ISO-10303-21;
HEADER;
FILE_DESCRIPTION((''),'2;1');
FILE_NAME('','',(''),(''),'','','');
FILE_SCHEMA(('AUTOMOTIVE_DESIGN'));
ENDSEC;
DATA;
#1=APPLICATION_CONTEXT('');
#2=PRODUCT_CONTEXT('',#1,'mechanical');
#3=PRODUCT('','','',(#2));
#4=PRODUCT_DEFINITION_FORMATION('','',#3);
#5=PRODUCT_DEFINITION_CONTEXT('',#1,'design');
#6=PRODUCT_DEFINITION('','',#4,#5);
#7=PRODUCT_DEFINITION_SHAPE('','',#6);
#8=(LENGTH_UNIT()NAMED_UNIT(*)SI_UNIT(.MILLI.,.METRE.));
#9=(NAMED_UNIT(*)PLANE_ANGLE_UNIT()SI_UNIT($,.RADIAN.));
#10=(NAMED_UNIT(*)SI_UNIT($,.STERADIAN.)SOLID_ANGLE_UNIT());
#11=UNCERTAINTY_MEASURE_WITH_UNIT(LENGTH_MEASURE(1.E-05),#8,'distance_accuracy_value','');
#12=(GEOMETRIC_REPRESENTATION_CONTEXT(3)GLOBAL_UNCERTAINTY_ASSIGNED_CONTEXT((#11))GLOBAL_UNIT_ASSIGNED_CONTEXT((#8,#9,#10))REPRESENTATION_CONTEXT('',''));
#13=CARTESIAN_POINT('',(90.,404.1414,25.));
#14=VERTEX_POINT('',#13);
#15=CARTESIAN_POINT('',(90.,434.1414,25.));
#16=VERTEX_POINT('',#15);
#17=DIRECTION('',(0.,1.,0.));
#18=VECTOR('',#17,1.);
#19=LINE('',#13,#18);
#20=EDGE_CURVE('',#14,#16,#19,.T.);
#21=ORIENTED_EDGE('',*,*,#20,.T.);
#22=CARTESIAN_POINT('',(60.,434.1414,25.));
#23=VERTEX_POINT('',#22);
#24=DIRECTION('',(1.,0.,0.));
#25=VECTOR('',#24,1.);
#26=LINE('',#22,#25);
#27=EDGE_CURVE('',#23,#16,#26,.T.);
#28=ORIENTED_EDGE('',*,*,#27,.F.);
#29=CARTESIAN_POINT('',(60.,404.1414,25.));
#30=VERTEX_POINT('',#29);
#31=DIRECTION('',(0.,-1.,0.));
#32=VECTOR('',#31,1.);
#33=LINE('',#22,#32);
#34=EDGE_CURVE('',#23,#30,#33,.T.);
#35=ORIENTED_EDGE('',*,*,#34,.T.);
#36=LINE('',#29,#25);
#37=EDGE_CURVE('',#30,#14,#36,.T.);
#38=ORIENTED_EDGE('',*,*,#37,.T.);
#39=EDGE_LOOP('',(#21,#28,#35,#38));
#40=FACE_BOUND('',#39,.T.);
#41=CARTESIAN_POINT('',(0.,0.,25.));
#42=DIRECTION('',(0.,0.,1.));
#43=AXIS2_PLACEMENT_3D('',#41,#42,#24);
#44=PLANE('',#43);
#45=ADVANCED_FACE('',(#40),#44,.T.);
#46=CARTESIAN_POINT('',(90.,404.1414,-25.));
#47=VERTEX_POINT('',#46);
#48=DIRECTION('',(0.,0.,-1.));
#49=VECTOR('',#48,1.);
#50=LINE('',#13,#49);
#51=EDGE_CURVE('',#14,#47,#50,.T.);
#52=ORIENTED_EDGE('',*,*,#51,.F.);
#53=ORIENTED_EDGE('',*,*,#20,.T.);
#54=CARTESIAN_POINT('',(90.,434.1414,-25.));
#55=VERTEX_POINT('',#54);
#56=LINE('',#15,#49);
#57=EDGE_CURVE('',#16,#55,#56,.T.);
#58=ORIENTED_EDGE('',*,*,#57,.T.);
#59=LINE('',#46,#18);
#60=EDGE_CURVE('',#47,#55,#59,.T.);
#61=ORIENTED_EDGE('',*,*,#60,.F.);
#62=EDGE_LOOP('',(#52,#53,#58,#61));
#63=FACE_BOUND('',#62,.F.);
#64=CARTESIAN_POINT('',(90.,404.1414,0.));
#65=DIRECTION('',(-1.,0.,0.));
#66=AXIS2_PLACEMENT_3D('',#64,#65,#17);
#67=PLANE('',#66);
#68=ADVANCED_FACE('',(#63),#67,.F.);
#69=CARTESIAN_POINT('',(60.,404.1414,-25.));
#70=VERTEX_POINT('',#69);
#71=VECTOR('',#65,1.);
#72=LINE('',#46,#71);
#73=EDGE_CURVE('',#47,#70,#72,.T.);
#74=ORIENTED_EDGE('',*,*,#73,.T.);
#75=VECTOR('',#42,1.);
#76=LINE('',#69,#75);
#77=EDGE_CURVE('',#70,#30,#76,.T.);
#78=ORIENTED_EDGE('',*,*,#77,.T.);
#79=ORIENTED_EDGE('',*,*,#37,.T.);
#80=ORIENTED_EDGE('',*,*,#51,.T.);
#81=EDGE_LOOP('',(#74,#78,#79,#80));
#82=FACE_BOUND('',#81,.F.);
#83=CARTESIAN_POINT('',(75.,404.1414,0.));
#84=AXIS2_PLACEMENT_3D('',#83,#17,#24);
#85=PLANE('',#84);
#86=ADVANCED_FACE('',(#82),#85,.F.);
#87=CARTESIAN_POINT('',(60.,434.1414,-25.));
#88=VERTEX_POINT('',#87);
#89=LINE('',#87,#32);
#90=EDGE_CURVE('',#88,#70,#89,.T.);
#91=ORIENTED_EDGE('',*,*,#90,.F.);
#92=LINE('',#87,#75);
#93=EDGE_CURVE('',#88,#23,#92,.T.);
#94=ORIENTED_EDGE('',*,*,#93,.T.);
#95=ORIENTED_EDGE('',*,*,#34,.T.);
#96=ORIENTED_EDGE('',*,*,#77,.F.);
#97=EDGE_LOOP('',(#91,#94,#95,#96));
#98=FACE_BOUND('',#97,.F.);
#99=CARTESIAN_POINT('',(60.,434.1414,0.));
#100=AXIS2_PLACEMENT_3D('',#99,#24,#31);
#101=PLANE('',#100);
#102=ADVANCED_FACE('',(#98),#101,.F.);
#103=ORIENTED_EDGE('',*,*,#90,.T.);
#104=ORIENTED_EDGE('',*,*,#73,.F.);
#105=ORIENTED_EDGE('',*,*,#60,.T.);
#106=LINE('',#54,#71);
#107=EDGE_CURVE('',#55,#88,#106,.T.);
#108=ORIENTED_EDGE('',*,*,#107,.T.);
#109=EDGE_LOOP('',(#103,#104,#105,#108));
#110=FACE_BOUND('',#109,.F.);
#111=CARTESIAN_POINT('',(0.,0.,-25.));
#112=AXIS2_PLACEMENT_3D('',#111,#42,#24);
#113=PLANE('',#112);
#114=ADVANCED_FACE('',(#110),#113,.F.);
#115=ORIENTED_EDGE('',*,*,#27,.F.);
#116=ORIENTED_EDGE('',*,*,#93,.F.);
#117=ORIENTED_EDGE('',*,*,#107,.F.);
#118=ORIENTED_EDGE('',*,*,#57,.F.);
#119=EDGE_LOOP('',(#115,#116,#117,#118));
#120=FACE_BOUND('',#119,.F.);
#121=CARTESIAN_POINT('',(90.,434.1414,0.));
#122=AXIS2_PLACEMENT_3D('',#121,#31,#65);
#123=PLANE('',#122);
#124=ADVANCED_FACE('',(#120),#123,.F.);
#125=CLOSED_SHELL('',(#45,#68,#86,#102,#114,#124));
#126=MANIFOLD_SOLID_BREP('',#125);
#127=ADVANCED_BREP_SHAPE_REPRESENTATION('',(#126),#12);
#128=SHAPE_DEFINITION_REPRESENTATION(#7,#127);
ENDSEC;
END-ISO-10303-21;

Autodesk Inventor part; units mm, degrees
ref_plane "YZ Plane" through (0, 0, 0) normal (1, 0, 0) x (0, 1, 0)
ref_plane "XZ Plane" through (0, 0, 0) normal (0, 1, 0) x (-1, 0, 0)
ref_plane "XY Plane" through (0, 0, 0) normal (0, 0, 1) x (1, 0, 0)
ref_plane "Work Plane1" through (0, 0, -10) normal (0, 0, -1) x (-1, 0, 0)
ref_plane "Work Plane2" through (0, 0, 0) normal (0, 0, 1) x (1, 0, 0)
sketch "Sketch1" plane through (0, 0, 0) normal (0, 0, 1) x (1, 0, 0)
  line L0 (15, 360) -> (135, 360) projected
  line L1 (0, -150) -> (150, -150) projected
  line L2 (150, -150) -> (150, 350) projected
  spline S0 degree 4 poles (150, 350) (150, 390.8194) (138.5388, 426.4442) (123.0072, 457.9209) (107.5607, 478.2829) knots -2 -2 -2 -2 -2 -1.381907 -1.381907 -1.381907 -1.381907 -1.381907 projected
  line L3 (42.4393, 478.2829) -> (107.5607, 478.2829) projected
  spline S1 degree 4 poles (42.4393, 478.2829) (26.9928, 457.9209) (11.4612, 426.4442) (0, 390.8194) (0, 350) knots -1.618093 -1.618093 -1.618093 -1.618093 -1.618093 -1 -1 -1 -1 -1 projected
  line L4 (0, -150) -> (0, 350) projected
  line L5 (75, 478.2829) -> (75, 360)
  line L6 (60, 404.1414) -> (90, 404.1414)
  line L7 (90, 404.1414) -> (90, 434.1414)
  line L8 (90, 434.1414) -> (60, 434.1414)
  line L9 (60, 434.1414) -> (60, 404.1414)
  line L10 (60, 404.1414) -> (90, 434.1414) construction
  line L11 (90, 404.1414) -> (60, 434.1414) construction
  point P0 (0, 0)
  point P1 (75, 419.1414)
  dimension "d0" = 30
  dimension "d1" = 30
extrude "Extrusion1" add sketch "Sketch1" along normal mid plane 50 contours L8 L7 L6 L5 | L5 L6 L9 L8
properties part number "Camera"
